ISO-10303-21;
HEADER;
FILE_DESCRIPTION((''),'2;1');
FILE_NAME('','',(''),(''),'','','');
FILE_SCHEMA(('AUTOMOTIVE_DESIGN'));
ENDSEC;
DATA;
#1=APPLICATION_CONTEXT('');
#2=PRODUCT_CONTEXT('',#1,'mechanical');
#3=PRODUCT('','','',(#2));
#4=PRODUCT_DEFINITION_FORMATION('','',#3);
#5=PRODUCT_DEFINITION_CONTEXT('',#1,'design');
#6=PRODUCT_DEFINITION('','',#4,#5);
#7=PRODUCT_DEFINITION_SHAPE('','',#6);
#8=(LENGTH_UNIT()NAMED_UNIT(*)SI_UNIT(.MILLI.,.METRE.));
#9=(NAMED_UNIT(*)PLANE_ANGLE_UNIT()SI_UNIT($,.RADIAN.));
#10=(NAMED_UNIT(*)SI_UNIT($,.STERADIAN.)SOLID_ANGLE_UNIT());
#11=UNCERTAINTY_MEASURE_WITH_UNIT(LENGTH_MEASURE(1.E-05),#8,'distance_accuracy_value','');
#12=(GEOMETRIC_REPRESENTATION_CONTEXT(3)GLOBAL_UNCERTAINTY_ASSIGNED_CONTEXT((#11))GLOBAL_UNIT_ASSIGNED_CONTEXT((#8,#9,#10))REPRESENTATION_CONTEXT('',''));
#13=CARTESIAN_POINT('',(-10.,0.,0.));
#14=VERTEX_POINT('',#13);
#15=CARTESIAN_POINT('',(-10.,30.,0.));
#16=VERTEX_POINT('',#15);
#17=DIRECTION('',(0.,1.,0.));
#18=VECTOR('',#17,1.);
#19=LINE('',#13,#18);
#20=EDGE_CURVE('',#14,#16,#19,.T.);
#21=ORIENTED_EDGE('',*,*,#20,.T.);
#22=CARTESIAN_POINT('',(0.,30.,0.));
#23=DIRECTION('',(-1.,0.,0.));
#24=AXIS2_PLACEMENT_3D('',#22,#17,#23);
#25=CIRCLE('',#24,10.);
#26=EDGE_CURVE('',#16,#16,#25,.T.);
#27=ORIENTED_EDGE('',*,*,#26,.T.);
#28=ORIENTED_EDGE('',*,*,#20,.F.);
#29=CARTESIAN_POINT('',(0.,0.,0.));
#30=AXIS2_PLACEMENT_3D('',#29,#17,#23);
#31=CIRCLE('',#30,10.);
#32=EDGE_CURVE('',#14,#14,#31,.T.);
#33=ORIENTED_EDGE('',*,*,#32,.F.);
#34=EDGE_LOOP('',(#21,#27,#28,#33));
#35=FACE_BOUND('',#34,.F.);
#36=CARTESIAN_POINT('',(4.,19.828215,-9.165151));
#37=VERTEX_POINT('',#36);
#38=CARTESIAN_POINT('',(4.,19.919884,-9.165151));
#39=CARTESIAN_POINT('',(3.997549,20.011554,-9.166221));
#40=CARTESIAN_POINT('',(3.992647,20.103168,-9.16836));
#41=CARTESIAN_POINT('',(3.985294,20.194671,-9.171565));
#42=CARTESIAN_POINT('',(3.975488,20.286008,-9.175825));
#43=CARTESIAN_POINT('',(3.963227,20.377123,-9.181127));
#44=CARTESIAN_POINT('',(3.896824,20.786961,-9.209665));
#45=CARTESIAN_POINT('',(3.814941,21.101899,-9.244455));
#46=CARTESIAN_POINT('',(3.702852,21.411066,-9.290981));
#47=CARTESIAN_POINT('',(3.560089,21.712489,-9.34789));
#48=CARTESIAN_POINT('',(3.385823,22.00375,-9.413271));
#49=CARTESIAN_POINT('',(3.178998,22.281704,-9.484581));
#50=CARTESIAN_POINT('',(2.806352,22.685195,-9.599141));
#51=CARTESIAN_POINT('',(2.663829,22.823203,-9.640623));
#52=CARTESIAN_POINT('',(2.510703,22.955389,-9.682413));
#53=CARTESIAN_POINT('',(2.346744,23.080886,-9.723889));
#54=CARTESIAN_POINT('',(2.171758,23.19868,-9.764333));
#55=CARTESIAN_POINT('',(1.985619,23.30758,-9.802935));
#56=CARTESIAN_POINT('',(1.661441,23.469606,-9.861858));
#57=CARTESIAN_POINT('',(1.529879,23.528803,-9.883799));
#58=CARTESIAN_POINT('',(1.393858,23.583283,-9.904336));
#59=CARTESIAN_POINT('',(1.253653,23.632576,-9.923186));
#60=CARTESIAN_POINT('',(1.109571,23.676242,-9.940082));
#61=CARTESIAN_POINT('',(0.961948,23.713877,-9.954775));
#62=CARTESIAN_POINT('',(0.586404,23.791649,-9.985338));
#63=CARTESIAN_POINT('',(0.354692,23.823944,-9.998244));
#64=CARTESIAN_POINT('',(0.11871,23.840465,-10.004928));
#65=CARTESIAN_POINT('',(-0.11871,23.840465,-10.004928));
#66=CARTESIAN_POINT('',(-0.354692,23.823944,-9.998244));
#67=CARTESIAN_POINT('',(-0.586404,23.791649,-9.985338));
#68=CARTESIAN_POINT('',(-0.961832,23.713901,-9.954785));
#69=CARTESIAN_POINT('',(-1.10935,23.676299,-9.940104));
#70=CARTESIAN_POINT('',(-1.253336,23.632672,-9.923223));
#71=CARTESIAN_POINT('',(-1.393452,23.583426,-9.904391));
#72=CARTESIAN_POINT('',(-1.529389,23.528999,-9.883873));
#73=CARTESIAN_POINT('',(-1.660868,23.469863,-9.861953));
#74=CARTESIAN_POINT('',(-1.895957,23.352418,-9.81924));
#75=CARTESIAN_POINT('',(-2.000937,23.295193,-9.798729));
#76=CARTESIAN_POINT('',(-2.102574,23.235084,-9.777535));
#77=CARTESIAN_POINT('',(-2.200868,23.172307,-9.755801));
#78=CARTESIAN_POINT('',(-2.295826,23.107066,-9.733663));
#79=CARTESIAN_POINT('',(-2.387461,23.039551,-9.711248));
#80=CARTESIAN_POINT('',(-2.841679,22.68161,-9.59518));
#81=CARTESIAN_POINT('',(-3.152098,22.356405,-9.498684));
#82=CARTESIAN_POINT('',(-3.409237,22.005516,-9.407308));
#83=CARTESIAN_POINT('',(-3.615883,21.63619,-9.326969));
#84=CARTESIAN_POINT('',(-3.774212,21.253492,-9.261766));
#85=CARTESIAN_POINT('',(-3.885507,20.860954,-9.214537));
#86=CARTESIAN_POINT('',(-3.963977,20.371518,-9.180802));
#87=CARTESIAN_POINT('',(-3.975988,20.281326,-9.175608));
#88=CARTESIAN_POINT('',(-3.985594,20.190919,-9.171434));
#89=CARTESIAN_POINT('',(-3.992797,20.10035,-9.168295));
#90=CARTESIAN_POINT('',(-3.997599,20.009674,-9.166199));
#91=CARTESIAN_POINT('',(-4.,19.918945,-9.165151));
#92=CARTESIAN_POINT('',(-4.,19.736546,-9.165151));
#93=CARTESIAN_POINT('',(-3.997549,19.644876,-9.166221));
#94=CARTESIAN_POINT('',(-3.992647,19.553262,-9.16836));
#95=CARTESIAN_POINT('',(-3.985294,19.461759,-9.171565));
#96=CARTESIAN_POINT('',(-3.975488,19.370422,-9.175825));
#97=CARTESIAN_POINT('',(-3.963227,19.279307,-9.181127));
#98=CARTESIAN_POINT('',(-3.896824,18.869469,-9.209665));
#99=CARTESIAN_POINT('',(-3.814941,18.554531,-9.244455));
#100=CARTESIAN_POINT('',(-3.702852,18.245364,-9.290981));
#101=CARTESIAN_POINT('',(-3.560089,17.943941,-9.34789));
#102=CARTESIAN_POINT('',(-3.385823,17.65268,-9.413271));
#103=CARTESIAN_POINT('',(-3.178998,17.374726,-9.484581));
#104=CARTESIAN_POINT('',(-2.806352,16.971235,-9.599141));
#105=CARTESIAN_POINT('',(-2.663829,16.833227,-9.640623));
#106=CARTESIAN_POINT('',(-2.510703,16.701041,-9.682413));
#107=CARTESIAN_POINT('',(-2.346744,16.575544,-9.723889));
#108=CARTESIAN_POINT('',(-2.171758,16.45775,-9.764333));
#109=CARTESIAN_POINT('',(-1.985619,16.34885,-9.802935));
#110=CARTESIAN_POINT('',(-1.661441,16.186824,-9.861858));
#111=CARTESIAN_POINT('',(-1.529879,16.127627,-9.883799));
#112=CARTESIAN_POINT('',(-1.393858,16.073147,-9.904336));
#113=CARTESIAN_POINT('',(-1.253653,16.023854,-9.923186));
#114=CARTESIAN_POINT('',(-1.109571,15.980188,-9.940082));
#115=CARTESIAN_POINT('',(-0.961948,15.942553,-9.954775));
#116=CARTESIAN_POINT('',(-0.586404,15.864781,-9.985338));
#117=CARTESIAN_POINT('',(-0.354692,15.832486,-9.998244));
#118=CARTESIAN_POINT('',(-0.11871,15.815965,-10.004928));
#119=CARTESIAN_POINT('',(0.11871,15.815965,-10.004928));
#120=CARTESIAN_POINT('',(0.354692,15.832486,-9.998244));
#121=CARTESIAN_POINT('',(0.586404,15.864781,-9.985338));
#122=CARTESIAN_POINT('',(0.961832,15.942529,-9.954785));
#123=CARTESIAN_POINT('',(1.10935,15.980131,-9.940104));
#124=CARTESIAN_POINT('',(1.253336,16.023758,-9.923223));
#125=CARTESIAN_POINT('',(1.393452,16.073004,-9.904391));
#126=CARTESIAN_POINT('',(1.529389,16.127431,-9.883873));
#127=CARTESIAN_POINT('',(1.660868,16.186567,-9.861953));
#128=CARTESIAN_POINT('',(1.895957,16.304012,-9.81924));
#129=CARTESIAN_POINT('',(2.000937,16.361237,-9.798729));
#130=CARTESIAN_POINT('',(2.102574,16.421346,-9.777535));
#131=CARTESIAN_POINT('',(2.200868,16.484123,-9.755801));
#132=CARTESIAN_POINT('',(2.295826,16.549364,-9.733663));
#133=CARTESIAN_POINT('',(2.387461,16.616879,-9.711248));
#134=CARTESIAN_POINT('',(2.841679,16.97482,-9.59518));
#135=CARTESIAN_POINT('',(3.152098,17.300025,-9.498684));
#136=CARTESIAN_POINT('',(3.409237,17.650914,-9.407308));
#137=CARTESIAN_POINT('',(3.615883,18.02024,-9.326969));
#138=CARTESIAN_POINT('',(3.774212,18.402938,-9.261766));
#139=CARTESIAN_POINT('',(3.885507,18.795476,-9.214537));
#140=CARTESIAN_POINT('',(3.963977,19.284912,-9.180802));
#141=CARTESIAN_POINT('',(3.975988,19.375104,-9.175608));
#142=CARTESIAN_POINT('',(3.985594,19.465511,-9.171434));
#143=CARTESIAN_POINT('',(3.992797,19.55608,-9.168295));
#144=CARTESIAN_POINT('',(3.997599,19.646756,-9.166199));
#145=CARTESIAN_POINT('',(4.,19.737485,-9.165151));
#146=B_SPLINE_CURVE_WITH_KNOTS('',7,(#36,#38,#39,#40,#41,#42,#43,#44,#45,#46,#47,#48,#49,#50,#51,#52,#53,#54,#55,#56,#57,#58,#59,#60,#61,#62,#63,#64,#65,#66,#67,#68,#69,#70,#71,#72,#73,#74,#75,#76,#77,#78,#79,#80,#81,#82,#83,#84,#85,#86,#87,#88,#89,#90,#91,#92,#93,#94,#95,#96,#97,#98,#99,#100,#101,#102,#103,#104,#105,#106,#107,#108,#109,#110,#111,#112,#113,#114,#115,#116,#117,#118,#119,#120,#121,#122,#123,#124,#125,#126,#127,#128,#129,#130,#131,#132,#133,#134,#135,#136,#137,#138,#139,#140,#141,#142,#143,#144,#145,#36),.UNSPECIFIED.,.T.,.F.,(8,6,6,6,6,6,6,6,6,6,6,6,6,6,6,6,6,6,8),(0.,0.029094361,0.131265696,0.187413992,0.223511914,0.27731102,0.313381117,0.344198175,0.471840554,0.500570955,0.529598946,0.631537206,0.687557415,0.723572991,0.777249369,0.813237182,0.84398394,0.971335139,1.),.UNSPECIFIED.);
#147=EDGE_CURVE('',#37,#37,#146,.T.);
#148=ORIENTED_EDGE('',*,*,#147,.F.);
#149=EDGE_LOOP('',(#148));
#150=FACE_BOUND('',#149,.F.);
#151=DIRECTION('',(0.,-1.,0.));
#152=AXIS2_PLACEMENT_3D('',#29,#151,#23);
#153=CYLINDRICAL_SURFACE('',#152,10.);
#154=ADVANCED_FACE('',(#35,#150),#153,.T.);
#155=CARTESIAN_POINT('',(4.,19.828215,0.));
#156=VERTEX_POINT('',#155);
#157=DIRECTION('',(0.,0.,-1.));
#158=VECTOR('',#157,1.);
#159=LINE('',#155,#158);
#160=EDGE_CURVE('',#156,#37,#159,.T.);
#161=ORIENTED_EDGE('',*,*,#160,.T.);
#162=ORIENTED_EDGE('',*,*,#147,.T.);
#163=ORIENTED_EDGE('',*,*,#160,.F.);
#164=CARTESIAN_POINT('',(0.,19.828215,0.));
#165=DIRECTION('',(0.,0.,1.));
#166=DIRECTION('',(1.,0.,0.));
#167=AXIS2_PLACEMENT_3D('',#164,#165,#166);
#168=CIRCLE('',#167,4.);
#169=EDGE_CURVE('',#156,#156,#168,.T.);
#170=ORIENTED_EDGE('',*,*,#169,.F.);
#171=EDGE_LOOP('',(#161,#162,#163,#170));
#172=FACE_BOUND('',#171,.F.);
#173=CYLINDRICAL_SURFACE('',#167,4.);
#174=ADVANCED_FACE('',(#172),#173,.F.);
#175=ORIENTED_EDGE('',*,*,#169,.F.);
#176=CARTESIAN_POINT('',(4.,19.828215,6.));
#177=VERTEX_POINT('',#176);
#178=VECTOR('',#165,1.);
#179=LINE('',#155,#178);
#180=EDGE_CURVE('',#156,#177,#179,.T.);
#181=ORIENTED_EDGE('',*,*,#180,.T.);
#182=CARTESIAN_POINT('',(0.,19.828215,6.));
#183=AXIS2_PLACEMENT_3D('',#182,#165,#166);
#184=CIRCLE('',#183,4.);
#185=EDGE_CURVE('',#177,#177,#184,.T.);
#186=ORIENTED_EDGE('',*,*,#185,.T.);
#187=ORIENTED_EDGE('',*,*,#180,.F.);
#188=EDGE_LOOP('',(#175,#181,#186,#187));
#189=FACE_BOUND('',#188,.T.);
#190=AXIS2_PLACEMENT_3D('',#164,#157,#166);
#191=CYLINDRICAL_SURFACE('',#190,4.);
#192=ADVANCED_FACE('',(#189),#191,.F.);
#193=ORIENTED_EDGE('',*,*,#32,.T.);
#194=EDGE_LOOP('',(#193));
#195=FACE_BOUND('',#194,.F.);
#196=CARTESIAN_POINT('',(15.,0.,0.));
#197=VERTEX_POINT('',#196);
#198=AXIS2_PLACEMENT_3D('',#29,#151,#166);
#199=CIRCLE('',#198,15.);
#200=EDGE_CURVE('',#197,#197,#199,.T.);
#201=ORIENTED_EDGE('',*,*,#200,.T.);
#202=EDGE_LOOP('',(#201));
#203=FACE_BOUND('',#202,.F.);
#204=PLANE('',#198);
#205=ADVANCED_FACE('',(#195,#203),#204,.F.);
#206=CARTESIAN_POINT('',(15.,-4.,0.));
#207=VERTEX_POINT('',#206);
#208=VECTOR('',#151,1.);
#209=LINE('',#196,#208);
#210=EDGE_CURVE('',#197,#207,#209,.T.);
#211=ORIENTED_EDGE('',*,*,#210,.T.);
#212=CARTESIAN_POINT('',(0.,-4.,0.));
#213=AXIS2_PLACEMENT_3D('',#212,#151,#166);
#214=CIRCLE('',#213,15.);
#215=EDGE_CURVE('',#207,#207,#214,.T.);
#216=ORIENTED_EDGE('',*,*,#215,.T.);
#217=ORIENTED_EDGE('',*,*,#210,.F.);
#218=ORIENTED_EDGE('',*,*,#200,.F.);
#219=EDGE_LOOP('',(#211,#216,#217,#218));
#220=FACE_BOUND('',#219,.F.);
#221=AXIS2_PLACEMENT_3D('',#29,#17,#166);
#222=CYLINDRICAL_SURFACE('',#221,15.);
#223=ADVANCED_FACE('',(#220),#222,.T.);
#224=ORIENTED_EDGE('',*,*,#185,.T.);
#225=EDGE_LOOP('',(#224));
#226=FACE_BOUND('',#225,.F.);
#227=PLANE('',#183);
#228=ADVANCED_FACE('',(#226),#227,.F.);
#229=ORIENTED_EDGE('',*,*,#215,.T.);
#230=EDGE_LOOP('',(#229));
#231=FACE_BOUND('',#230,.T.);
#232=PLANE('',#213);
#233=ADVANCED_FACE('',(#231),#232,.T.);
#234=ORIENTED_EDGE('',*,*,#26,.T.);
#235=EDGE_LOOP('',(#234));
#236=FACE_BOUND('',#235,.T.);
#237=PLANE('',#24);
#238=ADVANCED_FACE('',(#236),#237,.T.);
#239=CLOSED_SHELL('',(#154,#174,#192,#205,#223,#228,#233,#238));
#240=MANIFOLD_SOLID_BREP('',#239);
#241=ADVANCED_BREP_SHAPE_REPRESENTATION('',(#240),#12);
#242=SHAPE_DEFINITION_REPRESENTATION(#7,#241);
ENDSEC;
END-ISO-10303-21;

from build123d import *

# Parameters (mm, degrees)
F0_R     = 15
F1_DEPTH = 4
F2_R     = 10
F3_DEPTH = 30
F4_R     = 4
F5_DEPTH = 27
F6_DEPTH = 6


with BuildPart() as f1:
    # F0 (on Front) → F1 (new body)
    with BuildSketch(Plane.XZ):
        Circle(F0_R)
    extrude(amount=F1_DEPTH)

    # F2 (on face) → F3 (join)
    with BuildSketch(Plane(origin=(0, 0, 0), x_dir=(-1, 0, 0), z_dir=(0, 1, 0))):
        Circle(F2_R)
    extrude(amount=F3_DEPTH)

    # F4 (on Top) → F5 (cut)
    with BuildSketch(Plane.XY):
        with Locations((0, 19.828215)):
            Circle(F4_R)
    extrude(amount=-F5_DEPTH, mode=Mode.SUBTRACT)

    # F4 (on Top) → F6 (cut)
    with BuildSketch(Plane.XY):
        with Locations((0, 19.828215)):
            Circle(F4_R)
    extrude(amount=F6_DEPTH, mode=Mode.SUBTRACT)


solid = f1.part
